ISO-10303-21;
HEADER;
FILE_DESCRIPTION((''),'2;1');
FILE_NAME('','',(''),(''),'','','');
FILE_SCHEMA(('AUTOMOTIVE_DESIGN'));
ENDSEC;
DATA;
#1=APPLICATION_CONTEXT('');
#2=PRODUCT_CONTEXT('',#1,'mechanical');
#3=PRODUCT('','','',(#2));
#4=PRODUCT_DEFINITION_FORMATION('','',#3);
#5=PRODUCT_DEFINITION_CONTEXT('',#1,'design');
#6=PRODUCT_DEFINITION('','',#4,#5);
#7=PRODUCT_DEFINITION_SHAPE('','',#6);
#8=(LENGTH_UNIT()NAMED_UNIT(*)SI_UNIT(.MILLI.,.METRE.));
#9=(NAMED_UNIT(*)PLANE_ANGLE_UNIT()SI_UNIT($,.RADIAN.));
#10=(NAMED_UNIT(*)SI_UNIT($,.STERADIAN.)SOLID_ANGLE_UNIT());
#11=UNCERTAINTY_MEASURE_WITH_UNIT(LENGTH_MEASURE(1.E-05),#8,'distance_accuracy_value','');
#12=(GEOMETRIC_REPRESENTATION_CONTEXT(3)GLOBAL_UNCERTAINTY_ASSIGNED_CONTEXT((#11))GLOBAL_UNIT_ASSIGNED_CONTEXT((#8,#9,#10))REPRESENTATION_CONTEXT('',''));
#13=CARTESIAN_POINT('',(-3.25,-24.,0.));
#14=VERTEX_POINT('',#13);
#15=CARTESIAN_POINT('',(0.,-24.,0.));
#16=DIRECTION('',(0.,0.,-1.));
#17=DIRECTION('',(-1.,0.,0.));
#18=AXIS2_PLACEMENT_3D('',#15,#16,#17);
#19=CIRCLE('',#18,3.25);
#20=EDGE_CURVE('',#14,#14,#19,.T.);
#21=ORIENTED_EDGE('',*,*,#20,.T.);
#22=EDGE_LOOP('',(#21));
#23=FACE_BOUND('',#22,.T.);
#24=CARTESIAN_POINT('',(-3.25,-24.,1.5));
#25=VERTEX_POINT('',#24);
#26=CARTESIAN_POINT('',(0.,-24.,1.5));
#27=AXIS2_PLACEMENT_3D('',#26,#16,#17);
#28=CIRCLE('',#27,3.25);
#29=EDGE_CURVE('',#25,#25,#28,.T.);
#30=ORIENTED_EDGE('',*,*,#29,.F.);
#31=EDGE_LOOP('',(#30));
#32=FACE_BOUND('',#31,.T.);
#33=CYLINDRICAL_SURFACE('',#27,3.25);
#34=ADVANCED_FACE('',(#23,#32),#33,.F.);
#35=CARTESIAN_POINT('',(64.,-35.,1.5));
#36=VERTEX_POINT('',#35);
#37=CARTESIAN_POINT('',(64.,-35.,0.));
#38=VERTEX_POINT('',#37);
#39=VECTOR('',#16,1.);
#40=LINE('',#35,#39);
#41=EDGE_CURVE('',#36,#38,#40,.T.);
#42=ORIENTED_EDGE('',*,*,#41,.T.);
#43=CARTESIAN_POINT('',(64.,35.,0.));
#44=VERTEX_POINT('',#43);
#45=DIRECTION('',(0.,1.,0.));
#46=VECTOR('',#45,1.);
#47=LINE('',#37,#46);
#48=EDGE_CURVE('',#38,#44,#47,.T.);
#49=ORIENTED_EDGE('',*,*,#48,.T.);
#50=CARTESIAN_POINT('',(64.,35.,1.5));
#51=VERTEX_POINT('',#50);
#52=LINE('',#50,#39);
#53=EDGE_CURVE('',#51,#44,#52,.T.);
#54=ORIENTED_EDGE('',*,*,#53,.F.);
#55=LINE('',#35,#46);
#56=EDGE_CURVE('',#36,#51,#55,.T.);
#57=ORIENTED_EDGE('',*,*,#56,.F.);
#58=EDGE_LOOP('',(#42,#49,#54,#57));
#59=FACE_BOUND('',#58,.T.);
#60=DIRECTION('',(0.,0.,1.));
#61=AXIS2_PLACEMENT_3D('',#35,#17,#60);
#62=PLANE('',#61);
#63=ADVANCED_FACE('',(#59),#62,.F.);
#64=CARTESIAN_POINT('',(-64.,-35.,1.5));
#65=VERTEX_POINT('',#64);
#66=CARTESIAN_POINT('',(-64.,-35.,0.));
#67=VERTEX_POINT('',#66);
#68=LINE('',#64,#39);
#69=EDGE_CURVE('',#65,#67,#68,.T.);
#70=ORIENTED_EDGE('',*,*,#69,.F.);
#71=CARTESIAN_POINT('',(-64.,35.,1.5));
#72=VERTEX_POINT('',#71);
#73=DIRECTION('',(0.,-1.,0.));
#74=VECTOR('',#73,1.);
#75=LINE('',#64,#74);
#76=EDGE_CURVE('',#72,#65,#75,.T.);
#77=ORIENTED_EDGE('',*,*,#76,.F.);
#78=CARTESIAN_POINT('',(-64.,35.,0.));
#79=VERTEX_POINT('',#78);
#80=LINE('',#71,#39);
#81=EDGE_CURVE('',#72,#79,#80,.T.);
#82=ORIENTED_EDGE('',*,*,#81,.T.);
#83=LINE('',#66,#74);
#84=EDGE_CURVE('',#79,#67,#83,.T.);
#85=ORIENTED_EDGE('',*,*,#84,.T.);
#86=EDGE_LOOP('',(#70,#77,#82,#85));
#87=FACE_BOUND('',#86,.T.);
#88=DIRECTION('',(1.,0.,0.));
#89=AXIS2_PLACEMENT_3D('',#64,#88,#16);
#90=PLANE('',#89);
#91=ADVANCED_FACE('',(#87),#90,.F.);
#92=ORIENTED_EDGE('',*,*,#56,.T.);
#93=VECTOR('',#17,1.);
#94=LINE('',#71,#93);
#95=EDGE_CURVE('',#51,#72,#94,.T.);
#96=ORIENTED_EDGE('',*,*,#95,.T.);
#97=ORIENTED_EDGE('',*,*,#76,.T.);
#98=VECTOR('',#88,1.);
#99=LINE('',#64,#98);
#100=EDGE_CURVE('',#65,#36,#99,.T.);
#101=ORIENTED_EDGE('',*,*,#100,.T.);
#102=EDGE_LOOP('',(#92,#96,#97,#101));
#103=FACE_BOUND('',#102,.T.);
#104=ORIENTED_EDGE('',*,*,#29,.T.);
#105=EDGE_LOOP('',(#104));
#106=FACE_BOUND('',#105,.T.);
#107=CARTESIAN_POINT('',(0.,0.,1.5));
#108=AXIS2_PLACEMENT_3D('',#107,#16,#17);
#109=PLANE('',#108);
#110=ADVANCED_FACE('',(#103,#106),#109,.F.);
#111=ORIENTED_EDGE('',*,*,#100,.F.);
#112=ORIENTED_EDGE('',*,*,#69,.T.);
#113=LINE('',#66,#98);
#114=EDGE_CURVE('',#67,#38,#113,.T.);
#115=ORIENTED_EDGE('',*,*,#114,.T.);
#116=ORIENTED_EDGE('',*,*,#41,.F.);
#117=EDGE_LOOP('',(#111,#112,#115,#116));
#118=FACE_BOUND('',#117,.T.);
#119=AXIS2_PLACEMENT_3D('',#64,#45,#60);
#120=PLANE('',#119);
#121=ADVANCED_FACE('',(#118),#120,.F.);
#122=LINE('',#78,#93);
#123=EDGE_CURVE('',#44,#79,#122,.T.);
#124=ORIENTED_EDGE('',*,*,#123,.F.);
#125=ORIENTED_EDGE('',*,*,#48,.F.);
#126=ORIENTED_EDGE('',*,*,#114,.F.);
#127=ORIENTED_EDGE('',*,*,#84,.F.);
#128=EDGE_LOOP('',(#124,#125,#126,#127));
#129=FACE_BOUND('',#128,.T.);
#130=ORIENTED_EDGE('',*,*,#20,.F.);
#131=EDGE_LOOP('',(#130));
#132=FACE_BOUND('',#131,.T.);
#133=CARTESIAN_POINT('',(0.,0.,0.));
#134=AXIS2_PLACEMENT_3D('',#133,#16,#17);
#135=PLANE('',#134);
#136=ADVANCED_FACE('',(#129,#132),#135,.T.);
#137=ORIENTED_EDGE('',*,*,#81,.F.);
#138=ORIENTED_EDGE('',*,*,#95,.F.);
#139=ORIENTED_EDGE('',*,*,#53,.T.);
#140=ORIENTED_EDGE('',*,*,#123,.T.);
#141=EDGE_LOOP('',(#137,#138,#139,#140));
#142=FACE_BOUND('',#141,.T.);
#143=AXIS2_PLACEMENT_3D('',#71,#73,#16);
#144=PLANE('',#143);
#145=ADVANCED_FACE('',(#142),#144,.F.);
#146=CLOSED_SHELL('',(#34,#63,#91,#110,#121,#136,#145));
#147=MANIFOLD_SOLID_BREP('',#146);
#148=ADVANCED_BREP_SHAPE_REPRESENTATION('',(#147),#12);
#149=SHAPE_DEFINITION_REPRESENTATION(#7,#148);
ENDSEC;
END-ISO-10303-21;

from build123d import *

# Parameters (mm, degrees)
SKETCH1_W           = 128
SKETCH1_H           = 70
BOSS_EXTRUDE1_DEPTH = 1.5
SKETCH3_R           = 3.25
CUT_EXTRUDE1_DEPTH  = 2.5


with BuildPart() as part:
    # Sketch1 → Boss-Extrude1 (new body)
    with BuildSketch(Plane.XY):
        Rectangle(SKETCH1_W, SKETCH1_H)
    extrude(amount=BOSS_EXTRUDE1_DEPTH)

    # Sketch3 → Cut-Extrude1 (cut, through all)
    with BuildSketch(Plane(origin=(0, 0, 0), x_dir=(-1, 0, 0), z_dir=(0, 0, -1))):
        with Locations((0, -24)):
            Circle(SKETCH3_R)
    extrude(amount=-CUT_EXTRUDE1_DEPTH, mode=Mode.SUBTRACT)


solid = part.part
